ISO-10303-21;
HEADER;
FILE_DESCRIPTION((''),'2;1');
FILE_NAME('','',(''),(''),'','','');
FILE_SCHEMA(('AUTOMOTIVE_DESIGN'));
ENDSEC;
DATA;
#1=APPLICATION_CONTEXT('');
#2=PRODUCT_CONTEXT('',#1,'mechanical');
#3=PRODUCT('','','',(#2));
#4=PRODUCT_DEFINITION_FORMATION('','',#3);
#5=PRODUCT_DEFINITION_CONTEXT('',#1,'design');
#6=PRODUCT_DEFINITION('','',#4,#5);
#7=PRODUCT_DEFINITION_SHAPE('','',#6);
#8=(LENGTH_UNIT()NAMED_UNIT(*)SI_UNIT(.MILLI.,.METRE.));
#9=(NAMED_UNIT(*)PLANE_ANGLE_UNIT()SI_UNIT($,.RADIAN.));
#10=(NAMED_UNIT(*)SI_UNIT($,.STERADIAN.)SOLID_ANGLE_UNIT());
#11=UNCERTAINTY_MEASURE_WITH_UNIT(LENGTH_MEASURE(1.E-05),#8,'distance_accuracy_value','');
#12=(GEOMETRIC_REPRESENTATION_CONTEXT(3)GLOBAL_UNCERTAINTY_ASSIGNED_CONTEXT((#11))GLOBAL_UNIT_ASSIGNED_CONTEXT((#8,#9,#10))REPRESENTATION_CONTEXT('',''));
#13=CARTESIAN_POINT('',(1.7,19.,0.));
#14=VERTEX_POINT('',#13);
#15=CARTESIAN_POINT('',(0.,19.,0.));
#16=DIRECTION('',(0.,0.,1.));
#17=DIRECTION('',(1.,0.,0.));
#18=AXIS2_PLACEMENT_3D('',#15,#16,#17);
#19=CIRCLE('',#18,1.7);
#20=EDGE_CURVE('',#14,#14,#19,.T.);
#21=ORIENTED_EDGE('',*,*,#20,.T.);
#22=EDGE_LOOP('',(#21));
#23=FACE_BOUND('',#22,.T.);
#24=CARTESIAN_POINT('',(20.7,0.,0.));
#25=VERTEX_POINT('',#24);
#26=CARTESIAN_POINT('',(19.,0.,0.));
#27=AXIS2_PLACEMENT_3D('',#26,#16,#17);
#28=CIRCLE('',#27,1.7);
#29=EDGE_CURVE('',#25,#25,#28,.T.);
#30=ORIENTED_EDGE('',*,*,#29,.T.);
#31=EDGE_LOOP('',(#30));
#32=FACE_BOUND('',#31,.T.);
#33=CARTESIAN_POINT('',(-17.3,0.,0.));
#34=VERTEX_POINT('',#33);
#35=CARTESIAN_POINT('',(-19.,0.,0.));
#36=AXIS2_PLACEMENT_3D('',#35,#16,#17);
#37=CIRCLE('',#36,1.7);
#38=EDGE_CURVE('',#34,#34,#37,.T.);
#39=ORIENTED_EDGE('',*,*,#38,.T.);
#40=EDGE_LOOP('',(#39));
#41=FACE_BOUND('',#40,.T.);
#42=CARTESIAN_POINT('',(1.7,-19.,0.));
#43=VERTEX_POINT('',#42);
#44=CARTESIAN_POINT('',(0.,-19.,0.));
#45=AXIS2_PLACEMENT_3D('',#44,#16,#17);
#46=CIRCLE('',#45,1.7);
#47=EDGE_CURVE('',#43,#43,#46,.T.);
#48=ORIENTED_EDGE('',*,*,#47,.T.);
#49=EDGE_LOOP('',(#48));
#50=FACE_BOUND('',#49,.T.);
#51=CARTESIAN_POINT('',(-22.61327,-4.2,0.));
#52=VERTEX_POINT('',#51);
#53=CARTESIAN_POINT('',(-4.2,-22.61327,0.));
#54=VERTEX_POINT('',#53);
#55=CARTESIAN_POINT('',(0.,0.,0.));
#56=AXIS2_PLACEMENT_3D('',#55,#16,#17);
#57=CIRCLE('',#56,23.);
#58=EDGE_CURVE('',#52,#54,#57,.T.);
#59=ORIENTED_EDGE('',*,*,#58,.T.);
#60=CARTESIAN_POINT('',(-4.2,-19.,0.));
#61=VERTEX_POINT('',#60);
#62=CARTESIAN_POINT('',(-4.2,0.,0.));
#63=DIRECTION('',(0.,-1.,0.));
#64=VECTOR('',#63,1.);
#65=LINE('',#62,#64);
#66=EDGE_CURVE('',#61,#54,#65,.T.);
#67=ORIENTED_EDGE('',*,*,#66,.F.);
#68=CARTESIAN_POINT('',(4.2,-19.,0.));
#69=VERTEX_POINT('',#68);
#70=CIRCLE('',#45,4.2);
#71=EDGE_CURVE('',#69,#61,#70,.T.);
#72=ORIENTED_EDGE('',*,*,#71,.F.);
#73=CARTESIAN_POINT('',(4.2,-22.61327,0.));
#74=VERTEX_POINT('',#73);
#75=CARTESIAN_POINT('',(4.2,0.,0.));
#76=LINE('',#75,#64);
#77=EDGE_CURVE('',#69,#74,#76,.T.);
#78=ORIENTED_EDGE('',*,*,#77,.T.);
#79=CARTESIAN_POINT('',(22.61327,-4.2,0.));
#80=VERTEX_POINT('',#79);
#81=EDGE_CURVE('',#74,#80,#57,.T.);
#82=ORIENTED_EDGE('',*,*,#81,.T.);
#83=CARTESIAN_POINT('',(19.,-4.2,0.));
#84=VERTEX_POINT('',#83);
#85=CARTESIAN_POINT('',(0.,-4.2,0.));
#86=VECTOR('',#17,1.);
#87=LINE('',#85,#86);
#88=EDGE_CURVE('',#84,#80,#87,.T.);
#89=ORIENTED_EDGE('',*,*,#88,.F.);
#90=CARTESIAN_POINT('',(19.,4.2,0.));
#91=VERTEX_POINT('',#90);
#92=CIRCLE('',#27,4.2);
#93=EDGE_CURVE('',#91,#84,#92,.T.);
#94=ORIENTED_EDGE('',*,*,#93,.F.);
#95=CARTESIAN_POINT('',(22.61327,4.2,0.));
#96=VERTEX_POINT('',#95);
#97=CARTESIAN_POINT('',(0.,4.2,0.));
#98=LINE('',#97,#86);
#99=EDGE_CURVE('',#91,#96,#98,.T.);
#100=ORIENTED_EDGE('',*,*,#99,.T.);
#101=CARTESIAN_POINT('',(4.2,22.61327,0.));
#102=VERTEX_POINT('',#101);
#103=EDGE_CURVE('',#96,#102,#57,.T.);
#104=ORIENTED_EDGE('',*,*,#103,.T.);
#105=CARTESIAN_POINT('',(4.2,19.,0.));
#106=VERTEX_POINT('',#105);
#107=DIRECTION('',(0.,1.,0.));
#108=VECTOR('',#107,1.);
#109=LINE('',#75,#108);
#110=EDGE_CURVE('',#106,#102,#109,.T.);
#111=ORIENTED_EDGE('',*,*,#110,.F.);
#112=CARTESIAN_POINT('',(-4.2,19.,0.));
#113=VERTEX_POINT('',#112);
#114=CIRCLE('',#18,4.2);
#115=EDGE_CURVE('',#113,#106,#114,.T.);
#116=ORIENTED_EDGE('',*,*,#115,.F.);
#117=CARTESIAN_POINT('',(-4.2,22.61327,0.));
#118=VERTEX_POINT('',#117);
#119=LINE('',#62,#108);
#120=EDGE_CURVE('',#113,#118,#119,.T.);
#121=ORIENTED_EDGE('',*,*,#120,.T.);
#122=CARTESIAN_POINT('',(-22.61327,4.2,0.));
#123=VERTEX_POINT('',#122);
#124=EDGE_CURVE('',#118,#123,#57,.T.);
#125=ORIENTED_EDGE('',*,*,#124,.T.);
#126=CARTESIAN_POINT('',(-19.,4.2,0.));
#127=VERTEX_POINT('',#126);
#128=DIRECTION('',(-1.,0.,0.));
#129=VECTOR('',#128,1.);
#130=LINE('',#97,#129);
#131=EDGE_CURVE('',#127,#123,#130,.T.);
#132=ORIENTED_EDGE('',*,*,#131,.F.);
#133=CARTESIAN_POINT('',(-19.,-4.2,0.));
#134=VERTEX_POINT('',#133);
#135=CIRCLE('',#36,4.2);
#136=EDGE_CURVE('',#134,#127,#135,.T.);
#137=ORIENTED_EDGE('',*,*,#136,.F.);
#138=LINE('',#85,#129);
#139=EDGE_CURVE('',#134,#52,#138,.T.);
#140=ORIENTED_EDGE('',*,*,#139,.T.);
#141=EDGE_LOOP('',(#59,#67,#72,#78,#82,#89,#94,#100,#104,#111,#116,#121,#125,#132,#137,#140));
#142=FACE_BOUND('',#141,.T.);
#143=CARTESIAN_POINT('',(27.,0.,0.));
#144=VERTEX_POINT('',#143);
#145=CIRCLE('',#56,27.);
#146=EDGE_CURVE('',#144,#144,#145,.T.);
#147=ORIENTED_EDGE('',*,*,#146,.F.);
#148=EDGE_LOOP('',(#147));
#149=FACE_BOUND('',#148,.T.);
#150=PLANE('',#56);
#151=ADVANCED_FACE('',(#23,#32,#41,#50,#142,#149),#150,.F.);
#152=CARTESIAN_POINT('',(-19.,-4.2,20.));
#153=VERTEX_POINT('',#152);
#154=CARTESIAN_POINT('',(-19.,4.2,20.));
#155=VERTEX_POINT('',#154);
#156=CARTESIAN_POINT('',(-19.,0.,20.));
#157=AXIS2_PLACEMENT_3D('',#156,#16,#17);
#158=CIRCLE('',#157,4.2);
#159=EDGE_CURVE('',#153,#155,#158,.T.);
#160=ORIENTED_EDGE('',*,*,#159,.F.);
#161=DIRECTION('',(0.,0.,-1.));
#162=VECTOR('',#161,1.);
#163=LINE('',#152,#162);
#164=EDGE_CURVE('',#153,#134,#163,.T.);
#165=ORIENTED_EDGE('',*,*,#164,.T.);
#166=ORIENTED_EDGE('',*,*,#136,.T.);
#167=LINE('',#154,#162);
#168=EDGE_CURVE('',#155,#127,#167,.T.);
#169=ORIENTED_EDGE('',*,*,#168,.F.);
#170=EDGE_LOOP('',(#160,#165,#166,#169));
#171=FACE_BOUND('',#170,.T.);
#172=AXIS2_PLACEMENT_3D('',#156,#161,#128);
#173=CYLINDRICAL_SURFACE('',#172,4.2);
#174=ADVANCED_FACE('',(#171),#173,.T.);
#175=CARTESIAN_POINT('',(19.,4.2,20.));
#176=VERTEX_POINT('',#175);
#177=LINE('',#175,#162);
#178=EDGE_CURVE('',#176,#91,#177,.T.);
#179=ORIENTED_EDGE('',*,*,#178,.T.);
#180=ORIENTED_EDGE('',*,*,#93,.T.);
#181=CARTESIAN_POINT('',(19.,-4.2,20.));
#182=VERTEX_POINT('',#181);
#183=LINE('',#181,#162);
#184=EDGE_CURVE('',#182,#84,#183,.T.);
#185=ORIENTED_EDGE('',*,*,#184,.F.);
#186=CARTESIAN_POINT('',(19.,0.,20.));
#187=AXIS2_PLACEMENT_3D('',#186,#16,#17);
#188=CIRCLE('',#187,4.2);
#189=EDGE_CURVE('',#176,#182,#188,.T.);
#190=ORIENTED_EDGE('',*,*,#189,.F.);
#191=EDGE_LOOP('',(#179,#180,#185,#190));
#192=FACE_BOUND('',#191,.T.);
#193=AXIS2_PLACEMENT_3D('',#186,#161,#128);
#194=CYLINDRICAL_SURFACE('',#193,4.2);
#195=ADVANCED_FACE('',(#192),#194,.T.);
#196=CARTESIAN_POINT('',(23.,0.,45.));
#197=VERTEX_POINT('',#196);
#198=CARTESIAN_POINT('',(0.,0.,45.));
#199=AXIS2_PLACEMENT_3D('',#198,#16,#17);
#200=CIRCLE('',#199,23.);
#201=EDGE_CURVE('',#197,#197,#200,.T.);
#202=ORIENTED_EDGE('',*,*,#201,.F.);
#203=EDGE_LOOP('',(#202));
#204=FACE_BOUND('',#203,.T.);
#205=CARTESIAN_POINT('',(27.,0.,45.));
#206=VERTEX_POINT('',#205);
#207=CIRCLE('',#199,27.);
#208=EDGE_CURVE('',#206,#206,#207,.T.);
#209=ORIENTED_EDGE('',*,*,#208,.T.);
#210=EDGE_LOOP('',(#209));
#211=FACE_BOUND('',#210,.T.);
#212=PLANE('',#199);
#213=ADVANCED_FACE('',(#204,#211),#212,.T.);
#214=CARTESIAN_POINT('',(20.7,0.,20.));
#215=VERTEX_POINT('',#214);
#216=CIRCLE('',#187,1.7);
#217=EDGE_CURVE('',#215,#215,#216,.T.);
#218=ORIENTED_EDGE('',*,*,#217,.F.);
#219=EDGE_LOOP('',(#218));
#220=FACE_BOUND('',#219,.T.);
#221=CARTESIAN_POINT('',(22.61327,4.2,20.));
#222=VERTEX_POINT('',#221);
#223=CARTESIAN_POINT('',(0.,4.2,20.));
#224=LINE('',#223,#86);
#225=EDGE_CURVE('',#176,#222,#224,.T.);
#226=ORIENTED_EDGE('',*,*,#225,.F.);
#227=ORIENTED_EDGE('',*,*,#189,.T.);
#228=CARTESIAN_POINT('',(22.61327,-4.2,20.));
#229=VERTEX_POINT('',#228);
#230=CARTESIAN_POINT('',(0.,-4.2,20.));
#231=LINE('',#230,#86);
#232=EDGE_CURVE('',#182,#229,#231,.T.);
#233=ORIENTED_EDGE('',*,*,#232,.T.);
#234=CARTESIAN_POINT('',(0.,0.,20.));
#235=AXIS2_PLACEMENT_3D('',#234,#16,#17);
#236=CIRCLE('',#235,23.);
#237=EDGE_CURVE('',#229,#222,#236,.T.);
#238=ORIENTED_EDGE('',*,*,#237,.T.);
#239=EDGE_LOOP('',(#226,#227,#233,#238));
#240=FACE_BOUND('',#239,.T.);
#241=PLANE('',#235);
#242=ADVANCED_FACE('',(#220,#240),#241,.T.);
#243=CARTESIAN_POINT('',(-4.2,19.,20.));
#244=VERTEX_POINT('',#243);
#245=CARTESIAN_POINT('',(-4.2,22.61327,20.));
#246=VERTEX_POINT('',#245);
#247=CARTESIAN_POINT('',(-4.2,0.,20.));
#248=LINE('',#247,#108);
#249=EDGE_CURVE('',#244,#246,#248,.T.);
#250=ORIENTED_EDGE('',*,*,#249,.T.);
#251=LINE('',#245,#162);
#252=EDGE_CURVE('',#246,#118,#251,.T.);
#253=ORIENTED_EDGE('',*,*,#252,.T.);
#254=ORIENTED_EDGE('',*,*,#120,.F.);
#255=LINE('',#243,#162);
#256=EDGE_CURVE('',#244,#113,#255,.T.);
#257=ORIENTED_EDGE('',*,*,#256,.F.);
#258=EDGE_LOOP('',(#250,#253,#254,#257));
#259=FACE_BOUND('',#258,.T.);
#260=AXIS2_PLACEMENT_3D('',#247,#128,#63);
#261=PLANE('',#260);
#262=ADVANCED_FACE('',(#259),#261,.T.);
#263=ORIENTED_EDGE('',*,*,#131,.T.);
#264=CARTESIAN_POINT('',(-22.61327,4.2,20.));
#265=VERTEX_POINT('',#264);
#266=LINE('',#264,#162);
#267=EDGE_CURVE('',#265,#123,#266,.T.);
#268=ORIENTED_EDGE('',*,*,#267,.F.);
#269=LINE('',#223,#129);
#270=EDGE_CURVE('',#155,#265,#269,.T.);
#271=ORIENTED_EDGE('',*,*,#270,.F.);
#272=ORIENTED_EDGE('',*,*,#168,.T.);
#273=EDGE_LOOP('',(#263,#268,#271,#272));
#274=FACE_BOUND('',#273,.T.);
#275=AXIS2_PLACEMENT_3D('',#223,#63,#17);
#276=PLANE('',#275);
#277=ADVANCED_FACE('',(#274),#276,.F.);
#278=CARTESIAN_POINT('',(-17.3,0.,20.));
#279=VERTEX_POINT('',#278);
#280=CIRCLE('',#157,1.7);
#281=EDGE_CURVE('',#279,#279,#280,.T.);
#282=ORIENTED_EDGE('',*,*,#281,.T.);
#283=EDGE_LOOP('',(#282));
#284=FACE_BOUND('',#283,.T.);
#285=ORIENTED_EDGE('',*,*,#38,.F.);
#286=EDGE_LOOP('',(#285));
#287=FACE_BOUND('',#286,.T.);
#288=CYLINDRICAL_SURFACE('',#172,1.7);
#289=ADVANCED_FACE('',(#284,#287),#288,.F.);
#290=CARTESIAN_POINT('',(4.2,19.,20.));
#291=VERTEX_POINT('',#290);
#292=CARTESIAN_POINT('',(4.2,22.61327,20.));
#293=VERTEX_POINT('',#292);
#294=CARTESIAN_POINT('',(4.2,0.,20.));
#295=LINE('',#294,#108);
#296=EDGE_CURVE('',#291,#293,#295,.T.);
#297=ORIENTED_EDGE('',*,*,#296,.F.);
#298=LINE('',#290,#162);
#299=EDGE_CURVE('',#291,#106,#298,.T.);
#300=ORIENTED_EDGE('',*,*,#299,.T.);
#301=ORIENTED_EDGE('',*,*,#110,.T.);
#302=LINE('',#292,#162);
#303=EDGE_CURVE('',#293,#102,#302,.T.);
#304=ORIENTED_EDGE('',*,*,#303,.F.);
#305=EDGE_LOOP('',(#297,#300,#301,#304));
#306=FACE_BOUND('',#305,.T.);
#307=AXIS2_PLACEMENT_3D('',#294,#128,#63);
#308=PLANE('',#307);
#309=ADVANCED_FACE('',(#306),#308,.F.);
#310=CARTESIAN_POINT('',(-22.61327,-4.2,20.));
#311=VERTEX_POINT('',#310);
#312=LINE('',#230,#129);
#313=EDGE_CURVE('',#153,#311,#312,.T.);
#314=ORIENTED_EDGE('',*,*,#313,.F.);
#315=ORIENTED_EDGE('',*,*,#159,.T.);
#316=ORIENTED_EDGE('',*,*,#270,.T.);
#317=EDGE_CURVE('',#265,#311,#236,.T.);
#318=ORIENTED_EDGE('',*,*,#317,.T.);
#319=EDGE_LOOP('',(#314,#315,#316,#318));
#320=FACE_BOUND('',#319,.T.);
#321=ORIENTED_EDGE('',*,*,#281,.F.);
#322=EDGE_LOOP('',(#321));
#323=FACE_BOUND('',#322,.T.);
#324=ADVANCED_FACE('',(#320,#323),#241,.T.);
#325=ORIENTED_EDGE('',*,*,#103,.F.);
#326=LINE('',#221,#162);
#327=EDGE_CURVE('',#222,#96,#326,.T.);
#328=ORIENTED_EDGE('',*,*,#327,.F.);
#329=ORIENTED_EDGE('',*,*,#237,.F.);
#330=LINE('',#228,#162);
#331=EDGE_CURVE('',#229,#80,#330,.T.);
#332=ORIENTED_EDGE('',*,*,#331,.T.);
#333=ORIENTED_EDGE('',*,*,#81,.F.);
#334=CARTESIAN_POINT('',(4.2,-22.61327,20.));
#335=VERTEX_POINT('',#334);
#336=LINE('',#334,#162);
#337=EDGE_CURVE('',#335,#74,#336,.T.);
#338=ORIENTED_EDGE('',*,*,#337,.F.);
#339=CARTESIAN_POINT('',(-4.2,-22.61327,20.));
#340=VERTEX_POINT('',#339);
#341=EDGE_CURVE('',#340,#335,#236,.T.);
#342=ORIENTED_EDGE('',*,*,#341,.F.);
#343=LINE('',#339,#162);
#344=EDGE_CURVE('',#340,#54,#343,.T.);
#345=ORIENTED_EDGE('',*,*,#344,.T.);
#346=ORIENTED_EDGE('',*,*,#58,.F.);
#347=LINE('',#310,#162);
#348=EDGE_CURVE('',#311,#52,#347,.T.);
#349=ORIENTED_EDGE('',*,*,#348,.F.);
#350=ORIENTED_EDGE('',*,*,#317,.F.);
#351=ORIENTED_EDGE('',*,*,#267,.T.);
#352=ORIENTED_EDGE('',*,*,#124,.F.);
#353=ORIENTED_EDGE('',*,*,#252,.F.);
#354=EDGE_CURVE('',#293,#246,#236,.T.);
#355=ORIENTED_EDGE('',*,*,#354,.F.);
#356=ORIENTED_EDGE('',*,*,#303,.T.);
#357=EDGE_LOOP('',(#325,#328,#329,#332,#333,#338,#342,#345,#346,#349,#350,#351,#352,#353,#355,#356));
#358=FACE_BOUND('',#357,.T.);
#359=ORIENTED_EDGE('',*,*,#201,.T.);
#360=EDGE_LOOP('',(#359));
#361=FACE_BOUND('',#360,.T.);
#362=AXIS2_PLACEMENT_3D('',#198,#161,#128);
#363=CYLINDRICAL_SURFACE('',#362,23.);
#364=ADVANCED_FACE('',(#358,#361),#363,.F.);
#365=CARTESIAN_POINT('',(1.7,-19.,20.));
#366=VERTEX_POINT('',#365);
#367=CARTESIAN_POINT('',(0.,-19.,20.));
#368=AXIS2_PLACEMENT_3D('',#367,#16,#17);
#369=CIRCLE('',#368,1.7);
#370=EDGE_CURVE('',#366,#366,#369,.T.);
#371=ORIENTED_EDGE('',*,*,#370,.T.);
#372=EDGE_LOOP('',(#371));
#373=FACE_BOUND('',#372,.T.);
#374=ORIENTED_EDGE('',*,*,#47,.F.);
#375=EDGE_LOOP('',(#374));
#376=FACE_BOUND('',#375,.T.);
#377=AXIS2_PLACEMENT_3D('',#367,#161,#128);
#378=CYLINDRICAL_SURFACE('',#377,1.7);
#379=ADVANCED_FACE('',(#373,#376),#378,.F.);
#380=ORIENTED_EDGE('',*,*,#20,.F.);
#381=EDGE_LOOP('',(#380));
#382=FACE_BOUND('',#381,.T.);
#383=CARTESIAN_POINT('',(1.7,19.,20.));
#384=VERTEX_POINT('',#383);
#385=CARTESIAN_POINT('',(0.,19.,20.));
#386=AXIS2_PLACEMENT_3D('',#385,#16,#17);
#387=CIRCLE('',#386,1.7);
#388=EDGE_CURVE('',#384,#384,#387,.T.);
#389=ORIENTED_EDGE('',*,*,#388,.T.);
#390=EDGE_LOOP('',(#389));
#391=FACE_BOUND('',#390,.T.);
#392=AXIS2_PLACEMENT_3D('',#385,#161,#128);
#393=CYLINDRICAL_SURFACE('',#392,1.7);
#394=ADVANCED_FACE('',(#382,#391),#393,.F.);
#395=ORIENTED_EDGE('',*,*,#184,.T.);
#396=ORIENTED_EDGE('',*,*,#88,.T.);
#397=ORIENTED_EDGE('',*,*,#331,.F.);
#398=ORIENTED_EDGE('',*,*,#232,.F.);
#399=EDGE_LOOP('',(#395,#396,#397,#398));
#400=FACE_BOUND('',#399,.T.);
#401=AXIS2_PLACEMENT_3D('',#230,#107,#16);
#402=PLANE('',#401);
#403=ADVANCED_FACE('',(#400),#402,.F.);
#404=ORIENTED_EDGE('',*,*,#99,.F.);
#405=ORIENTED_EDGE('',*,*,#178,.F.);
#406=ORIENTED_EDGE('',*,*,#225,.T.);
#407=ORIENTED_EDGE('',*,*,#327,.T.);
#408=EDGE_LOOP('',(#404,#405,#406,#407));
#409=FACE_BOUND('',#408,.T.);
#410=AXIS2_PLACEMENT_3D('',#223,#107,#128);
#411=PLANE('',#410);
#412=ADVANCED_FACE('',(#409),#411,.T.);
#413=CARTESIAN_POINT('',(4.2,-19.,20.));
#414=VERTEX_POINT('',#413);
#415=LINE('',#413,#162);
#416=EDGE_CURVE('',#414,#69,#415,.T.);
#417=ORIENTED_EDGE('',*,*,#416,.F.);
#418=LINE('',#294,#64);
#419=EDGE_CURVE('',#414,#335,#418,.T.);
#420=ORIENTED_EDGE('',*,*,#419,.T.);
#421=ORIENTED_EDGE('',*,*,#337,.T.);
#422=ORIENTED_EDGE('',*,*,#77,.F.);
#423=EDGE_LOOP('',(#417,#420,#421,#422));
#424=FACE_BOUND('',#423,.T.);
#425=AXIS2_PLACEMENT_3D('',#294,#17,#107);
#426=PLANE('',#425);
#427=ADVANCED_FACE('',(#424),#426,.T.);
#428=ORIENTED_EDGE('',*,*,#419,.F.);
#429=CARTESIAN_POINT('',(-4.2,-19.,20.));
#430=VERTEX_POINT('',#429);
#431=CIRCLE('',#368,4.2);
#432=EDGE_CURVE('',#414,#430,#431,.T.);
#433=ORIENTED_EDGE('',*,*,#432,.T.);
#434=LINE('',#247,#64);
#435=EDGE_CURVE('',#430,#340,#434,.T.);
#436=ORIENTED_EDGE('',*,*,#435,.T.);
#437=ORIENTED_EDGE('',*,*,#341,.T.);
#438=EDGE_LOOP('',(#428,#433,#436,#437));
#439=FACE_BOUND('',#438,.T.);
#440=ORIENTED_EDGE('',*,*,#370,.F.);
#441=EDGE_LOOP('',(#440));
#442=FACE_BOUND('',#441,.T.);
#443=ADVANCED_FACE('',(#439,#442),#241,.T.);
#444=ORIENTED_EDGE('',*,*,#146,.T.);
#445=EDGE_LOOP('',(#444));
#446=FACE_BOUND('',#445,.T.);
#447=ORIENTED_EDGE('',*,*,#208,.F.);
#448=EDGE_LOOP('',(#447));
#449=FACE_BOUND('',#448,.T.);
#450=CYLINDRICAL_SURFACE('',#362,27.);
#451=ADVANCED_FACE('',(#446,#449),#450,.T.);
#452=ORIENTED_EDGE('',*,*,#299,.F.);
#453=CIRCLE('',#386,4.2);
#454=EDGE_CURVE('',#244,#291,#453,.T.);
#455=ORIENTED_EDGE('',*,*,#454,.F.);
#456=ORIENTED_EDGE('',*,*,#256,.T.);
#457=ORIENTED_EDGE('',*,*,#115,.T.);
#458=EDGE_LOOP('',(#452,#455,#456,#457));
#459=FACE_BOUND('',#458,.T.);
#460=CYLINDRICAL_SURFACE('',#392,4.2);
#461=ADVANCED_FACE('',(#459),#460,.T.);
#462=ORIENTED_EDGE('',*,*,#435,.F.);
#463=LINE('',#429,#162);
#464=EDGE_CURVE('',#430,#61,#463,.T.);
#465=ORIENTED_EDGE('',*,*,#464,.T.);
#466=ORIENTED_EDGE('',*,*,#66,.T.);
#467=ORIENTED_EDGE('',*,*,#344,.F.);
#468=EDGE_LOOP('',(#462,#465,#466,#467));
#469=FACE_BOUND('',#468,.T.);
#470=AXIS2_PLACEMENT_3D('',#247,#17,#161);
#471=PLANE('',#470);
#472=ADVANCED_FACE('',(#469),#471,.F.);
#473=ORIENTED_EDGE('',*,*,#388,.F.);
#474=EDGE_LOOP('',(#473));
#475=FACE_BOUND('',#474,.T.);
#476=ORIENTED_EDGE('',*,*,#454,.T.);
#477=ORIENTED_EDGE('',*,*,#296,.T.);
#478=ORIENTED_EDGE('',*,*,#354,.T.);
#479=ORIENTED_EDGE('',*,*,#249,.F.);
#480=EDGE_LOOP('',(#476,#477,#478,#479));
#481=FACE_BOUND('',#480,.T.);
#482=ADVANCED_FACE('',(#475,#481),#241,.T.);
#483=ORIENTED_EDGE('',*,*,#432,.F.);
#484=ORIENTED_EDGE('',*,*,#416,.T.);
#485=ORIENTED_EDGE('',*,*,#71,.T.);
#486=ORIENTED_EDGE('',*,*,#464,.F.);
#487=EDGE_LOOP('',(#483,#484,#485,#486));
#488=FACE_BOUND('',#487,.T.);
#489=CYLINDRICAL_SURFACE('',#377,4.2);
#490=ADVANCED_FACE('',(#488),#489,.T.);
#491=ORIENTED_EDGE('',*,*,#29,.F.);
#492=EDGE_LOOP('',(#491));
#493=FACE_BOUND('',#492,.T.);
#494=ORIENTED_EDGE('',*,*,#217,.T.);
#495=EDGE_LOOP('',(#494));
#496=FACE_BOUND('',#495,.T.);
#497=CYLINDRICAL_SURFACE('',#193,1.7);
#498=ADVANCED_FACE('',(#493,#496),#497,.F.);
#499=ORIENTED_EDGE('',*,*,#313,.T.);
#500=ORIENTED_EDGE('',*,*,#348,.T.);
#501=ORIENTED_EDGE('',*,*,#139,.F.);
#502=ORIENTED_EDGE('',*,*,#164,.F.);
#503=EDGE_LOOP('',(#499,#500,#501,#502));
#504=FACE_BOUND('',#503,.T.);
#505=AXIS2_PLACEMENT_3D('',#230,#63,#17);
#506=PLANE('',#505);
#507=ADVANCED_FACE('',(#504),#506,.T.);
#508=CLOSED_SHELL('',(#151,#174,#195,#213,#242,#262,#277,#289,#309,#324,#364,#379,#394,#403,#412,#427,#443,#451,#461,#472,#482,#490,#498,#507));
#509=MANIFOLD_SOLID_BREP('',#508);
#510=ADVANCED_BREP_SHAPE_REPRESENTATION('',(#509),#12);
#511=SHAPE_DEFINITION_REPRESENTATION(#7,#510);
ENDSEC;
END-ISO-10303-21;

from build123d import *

# Parameters (mm, degrees)
SKETCH1_R           = 27
BOSS_EXTRUDE1_DEPTH = 45
SKETCH1_3_R         = 1.7
BOSS_EXTRUDE2_DEPTH = 20


with BuildPart() as part:
    # Sketch1 → Boss-Extrude1 (new body)
    with BuildSketch(Plane.XY):
        Circle(SKETCH1_R)
        with BuildLine():
            ThreePointArc((-22.61327044, 4.2), (-16.263455967, 16.263455967), (-4.2, 22.61327044))
            ThreePointArc((-4.2, 22.61327044), (0, 23), (4.2, 22.61327044))
            ThreePointArc((4.2, 22.61327044), (16.263455967, 16.263455967), (22.61327044, 4.2))
            ThreePointArc((22.61327044, 4.2), (22.903113545, 2.108883576), (23, 0))
            ThreePointArc((23, 0), (22.903113545, -2.108883576), (22.61327044, -4.2))
            ThreePointArc((22.61327044, -4.2), (16.263455967, -16.263455967), (4.2, -22.61327044))
            ThreePointArc((4.2, -22.61327044), (0, -23), (-4.2, -22.61327044))
            ThreePointArc((-4.2, -22.61327044), (-16.263455967, -16.263455967), (-22.61327044, -4.2))
            ThreePointArc((-22.61327044, -4.2), (-23, 0), (-22.61327044, 4.2))
        make_face(mode=Mode.SUBTRACT)
    extrude(amount=BOSS_EXTRUDE1_DEPTH)

    # Sketch1<3> → Boss-Extrude2 (add)
    # profile 1 of 4: a face of its own
    with BuildSketch(Plane.XY):
        with BuildLine():
            Line((-4.2, 22.61327044), (-4.2, 19))
            ThreePointArc((-4.2, 19), (0, 14.8), (4.2, 19))
            Line((4.2, 19), (4.2, 22.61327044))
            ThreePointArc((4.2, 22.61327044), (0, 23), (-4.2, 22.61327044))
        make_face()
        with Locations((0, 19)):
            Circle(SKETCH1_3_R, mode=Mode.SUBTRACT)
    # profile 2 of 4: a face of its own
    with BuildSketch(Plane.XY):
        with BuildLine():
            Line((-19, 4.2), (-22.61327044, 4.2))
            ThreePointArc((-22.61327044, 4.2), (-23, 0), (-22.61327044, -4.2))
            Line((-22.61327044, -4.2), (-19, -4.2))
            ThreePointArc((-19, -4.2), (-14.8, 0), (-19, 4.2))
        make_face()
        with Locations((-19, 0)):
            Circle(SKETCH1_3_R, mode=Mode.SUBTRACT)
    # profile 3 of 4: a face of its own
    with BuildSketch(Plane.XY):
        with BuildLine():
            ThreePointArc((22.61327044, -4.2), (23, 0), (22.61327044, 4.2))
            Line((22.61327044, 4.2), (19, 4.2))
            ThreePointArc((19, 4.2), (14.8, 0), (19, -4.2))
            Line((19, -4.2), (22.61327044, -4.2))
        make_face()
        with Locations((19, 0)):
            Circle(SKETCH1_3_R, mode=Mode.SUBTRACT)
    # profile 4 of 4: a face of its own
    with BuildSketch(Plane.XY):
        with BuildLine():
            Line((-4.2, -19), (-4.2, -22.61327044))
            ThreePointArc((-4.2, -22.61327044), (0, -23), (4.2, -22.61327044))
            Line((4.2, -22.61327044), (4.2, -19))
            ThreePointArc((4.2, -19), (0, -14.8), (-4.2, -19))
        make_face()
        with Locations((0, -19)):
            Circle(SKETCH1_3_R, mode=Mode.SUBTRACT)
    extrude(amount=BOSS_EXTRUDE2_DEPTH)


solid = part.part
